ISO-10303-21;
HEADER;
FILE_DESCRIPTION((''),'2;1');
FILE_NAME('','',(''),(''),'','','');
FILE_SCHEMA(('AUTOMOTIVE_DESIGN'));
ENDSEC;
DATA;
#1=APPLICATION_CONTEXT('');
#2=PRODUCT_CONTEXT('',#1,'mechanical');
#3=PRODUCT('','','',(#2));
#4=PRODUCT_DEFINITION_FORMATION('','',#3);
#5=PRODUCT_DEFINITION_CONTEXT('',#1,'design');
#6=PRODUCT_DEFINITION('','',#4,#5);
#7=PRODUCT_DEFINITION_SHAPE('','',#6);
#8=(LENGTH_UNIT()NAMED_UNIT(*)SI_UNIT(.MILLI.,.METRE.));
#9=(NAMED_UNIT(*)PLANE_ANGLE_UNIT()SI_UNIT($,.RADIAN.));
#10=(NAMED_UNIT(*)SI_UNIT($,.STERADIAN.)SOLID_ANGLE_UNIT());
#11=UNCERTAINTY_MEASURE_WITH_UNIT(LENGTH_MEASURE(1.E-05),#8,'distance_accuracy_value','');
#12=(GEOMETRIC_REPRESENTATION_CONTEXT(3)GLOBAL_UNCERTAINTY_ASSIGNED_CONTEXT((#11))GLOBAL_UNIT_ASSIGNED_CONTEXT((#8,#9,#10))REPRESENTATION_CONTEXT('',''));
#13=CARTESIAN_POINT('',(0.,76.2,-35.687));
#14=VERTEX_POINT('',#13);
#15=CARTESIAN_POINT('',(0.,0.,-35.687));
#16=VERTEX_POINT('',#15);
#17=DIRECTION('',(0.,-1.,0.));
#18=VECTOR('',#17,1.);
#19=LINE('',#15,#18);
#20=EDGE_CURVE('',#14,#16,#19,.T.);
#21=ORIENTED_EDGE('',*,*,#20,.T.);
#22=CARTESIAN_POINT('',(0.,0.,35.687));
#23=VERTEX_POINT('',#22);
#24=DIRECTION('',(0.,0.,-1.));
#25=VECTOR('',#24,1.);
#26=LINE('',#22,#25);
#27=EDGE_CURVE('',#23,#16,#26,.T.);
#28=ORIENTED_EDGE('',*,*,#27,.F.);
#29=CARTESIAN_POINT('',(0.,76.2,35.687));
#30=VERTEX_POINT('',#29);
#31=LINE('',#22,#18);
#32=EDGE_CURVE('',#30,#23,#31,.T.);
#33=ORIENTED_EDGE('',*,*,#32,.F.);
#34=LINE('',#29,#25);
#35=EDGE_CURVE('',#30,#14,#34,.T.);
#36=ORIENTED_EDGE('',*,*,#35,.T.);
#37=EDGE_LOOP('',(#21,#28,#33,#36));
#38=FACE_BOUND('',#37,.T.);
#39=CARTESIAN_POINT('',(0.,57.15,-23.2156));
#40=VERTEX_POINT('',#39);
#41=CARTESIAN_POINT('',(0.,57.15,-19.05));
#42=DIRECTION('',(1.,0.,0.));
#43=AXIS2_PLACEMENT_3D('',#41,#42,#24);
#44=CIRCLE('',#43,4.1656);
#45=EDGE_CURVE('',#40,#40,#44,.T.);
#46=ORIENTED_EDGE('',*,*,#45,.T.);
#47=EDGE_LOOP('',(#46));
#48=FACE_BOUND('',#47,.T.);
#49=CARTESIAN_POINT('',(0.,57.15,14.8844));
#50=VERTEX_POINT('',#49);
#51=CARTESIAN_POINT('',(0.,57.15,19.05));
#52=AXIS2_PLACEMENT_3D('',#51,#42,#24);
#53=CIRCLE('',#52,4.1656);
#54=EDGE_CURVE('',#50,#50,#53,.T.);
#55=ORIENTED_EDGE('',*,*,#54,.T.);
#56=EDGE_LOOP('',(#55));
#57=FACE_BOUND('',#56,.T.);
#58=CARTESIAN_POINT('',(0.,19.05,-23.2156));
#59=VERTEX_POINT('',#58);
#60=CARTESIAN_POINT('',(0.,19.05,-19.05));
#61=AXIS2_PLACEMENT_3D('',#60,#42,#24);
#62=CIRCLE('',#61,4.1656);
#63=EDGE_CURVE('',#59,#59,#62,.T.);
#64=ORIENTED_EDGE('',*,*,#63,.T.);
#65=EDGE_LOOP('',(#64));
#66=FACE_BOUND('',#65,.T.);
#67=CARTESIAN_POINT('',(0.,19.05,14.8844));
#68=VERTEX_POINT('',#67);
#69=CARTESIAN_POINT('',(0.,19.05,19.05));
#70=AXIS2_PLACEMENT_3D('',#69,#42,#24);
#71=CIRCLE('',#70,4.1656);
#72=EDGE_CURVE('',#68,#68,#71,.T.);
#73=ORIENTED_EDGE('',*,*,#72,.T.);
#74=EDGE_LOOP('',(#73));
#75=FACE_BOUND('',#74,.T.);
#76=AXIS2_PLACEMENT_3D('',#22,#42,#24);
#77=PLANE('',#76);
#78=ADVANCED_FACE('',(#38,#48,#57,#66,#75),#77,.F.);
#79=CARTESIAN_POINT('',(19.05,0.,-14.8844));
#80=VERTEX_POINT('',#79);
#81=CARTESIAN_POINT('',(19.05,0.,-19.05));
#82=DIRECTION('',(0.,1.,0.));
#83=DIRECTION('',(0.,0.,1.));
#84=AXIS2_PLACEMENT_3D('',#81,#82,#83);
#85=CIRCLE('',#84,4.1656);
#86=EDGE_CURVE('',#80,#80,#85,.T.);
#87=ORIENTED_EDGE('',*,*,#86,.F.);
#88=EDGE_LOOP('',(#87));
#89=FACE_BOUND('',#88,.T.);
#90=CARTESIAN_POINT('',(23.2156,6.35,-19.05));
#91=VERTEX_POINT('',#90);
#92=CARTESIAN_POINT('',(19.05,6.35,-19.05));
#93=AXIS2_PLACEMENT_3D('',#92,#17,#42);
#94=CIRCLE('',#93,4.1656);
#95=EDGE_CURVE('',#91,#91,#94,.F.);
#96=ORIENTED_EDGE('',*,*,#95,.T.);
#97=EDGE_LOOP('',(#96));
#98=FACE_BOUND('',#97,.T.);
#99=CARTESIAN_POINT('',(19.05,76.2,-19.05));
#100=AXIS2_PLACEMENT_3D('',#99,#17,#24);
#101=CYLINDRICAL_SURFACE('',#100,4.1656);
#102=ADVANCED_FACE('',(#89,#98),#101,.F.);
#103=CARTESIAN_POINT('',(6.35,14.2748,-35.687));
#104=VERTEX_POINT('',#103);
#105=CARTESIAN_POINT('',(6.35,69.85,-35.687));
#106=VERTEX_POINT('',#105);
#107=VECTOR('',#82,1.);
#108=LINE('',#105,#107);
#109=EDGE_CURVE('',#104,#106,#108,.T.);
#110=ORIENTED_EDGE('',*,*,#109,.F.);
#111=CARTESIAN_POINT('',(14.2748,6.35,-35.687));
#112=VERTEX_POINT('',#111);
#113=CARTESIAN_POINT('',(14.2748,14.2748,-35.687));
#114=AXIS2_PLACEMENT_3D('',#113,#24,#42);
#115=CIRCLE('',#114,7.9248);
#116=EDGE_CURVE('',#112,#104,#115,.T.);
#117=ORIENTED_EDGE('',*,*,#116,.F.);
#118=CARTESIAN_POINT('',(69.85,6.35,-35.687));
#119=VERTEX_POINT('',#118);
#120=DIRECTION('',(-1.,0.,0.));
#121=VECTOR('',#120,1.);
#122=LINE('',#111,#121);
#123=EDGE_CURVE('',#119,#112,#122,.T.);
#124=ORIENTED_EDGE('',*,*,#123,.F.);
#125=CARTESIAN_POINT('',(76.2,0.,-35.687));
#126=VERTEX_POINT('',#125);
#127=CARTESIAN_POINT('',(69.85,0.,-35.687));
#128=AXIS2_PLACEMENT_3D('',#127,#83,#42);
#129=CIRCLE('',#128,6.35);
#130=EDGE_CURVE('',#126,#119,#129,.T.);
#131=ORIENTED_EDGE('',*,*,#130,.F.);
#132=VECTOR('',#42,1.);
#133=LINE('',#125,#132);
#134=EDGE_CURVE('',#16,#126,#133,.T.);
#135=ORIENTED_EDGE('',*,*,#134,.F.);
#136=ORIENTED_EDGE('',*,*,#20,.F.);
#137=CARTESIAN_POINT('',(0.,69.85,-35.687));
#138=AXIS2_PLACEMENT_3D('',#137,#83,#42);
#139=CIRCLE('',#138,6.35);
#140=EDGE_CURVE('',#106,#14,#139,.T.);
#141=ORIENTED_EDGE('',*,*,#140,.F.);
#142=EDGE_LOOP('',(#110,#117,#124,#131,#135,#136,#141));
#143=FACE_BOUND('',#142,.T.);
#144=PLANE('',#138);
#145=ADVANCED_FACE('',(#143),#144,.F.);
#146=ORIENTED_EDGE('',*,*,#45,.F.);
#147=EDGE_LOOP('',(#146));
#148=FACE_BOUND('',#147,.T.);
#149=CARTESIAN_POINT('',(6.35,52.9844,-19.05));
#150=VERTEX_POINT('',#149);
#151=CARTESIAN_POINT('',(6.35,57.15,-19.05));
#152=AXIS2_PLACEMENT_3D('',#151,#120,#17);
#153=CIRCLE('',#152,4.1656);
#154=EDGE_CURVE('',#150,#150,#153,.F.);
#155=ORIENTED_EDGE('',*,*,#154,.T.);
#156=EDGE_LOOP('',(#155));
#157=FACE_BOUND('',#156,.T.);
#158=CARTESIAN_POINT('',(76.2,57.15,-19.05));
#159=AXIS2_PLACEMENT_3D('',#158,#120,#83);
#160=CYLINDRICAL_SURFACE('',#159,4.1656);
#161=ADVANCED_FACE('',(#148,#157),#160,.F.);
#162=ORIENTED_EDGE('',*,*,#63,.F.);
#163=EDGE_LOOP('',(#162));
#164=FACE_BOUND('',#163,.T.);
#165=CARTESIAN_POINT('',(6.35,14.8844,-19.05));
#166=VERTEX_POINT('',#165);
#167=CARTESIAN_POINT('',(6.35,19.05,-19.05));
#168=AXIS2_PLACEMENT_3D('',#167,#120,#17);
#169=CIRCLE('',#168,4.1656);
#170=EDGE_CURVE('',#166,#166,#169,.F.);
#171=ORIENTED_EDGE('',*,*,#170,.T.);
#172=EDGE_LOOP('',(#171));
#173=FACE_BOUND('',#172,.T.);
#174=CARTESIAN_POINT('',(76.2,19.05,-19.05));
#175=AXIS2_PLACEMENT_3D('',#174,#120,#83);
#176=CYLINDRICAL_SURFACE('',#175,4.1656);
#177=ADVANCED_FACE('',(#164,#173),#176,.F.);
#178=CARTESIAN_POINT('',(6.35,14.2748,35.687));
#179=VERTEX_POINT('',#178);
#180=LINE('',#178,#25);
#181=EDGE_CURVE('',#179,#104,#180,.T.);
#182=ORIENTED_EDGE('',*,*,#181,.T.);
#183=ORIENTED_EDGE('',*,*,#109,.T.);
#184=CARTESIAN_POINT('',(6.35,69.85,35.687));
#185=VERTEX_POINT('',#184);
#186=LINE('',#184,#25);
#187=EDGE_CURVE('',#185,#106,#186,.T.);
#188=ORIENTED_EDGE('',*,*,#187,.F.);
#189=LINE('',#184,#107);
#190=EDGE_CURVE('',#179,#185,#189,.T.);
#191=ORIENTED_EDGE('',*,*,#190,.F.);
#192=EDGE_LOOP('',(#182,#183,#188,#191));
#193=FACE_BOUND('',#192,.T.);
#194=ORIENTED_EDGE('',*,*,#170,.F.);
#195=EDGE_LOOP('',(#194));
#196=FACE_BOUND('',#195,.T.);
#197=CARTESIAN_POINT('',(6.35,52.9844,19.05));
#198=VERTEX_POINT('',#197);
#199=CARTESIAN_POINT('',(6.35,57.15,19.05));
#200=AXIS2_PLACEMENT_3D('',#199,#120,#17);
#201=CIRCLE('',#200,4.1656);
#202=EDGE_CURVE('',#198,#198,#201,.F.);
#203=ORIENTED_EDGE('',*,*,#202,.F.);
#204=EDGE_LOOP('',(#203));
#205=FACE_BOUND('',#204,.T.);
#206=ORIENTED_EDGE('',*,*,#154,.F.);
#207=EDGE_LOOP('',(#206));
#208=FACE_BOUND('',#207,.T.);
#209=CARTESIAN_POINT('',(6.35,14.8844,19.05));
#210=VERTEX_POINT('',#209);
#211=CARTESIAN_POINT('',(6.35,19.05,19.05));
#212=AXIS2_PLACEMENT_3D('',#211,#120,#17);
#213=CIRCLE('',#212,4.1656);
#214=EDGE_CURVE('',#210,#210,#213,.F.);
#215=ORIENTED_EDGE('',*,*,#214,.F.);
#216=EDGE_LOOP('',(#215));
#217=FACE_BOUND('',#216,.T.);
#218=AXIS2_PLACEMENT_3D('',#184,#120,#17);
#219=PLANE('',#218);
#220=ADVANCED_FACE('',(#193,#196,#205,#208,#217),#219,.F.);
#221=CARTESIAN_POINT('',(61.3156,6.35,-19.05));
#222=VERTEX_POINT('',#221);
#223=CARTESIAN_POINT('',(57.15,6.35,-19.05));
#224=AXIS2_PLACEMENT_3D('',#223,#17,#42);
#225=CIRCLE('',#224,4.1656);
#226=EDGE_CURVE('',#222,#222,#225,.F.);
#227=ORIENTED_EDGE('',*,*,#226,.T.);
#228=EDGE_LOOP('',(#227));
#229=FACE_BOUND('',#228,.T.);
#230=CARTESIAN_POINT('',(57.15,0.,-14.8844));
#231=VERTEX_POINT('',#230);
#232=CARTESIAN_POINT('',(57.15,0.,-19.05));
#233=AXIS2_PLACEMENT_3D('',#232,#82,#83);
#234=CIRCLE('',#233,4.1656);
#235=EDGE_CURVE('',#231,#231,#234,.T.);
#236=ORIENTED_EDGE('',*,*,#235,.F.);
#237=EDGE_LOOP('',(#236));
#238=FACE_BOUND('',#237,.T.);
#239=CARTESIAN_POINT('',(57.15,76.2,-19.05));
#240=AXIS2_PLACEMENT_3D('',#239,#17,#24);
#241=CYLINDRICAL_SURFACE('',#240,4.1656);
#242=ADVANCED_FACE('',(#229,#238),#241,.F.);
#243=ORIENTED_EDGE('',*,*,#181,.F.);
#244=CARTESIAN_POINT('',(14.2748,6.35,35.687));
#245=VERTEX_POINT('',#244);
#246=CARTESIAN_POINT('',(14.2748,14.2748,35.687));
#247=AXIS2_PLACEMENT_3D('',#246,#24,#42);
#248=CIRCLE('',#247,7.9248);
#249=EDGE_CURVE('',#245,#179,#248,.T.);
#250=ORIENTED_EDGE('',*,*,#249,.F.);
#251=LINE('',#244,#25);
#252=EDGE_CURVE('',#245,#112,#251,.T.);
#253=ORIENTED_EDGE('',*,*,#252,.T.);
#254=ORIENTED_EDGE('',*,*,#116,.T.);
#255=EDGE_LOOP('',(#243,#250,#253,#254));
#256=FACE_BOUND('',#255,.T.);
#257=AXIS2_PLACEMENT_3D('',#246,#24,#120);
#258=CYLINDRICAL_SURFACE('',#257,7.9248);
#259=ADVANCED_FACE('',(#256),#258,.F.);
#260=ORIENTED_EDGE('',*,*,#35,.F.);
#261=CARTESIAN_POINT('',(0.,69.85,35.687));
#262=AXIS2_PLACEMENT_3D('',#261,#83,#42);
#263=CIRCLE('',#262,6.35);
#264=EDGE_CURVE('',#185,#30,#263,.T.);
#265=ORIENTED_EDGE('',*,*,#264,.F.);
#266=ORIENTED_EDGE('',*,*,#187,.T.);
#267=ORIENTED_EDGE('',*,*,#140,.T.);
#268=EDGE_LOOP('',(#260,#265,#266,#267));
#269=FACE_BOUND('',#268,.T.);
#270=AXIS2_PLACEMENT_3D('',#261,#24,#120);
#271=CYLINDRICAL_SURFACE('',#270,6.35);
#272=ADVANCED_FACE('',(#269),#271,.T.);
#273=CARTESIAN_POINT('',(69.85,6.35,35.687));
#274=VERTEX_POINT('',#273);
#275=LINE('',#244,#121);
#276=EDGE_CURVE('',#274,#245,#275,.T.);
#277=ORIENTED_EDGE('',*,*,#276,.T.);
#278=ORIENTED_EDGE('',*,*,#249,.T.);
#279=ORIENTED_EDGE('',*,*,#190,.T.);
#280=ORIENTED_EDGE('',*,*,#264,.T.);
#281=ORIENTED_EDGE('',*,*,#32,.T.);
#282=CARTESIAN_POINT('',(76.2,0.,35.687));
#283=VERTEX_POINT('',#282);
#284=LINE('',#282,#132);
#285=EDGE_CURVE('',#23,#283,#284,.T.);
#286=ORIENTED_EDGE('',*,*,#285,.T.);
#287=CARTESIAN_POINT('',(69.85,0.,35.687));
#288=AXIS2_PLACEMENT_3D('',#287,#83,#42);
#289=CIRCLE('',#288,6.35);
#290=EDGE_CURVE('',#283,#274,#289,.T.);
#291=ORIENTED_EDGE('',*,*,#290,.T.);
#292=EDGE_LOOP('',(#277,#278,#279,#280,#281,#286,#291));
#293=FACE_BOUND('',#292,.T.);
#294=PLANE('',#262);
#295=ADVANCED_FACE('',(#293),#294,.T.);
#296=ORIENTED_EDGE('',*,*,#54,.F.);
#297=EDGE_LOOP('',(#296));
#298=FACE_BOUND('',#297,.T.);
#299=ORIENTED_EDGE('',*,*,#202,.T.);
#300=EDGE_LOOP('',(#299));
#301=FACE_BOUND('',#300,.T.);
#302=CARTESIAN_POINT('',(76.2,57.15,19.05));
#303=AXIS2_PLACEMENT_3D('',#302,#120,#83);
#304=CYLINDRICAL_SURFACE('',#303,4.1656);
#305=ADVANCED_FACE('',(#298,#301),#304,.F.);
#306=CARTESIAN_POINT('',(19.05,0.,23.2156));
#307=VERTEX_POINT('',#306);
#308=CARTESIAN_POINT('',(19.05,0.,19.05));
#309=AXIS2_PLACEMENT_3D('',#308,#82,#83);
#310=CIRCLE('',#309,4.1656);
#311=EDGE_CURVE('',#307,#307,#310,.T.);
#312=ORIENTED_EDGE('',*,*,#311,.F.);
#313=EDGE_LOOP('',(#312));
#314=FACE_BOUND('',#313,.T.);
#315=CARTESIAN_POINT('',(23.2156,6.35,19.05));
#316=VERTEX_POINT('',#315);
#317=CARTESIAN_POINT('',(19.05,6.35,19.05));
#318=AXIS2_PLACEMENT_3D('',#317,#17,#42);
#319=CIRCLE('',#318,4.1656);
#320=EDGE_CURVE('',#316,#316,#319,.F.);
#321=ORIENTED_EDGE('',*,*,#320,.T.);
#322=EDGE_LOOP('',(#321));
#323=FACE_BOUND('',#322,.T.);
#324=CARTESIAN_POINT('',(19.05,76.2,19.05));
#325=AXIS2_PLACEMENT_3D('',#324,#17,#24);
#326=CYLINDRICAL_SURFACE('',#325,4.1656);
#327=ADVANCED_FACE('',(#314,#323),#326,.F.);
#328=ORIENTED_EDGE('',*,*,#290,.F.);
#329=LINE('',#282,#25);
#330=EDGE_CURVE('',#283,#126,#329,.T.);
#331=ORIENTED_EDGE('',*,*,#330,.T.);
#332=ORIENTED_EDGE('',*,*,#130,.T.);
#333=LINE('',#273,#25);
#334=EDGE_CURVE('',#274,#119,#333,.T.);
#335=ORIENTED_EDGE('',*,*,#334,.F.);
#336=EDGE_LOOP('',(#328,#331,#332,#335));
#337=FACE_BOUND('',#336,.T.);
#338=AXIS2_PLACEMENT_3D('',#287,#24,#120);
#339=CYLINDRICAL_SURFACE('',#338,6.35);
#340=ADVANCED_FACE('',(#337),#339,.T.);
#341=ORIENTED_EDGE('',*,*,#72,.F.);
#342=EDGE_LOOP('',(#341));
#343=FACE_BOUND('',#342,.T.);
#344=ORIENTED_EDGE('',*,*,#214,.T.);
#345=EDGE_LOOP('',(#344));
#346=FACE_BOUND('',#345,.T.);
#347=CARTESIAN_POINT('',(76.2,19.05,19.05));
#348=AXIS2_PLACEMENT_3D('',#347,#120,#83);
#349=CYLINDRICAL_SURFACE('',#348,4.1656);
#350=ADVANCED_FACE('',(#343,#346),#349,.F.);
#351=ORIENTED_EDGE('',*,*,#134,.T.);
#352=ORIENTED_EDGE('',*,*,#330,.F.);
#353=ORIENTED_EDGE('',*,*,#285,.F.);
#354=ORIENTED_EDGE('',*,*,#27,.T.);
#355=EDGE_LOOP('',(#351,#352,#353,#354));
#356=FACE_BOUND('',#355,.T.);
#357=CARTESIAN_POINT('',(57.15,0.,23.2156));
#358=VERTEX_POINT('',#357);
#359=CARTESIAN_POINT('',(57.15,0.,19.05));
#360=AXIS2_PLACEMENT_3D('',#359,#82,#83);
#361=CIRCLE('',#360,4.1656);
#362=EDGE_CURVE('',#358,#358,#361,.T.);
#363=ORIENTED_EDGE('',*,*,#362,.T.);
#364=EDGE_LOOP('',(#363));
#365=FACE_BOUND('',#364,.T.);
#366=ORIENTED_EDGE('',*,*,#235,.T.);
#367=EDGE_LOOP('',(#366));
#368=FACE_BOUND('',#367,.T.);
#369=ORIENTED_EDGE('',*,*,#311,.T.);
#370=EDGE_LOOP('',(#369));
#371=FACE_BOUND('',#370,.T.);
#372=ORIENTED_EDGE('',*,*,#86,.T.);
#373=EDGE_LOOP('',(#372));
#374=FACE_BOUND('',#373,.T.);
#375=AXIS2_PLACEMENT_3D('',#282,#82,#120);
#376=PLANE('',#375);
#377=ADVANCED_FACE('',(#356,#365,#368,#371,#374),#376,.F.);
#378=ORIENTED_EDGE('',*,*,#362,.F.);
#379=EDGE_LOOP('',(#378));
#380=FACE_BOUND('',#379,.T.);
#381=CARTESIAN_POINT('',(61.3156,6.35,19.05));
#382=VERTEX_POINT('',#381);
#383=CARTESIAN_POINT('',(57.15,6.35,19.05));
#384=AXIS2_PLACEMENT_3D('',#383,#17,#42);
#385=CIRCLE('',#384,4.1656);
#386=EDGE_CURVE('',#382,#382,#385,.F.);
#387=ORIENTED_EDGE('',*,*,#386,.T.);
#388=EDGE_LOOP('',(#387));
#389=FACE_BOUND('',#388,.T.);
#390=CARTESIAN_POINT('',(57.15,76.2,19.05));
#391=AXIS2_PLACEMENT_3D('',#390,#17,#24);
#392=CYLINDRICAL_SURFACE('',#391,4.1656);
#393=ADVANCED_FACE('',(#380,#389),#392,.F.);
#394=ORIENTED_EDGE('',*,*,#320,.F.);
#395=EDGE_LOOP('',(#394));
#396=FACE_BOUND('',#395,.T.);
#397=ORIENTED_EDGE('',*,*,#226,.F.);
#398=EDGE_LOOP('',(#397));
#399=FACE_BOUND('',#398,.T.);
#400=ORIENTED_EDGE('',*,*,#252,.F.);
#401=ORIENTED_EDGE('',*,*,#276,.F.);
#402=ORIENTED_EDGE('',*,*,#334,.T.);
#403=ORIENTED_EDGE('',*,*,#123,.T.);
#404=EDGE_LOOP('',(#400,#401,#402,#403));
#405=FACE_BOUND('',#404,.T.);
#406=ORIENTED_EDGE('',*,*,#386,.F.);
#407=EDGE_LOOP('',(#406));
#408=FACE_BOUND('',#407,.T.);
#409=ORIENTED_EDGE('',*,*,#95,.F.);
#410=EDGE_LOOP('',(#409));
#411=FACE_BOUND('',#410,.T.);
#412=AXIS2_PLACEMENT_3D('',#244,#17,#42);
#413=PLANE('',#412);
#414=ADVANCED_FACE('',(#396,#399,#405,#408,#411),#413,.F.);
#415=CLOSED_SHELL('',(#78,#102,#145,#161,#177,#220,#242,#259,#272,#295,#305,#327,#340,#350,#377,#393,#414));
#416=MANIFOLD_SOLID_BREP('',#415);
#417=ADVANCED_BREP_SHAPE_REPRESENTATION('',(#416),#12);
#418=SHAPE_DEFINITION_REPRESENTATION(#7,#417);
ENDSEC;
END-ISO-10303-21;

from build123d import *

# Parameters (mm, degrees)
BOSS_EXTRUDE1_DEPTH = 35.687
SKETCH2_R           = 4.1656
CUT_EXTRUDE1_DEPTH  = 77.2
SKETCH3_R           = 4.1656
CUT_EXTRUDE2_DEPTH  = 77.2


with BuildPart() as part:
    # Sketch1 → Boss-Extrude1 (new body, symmetric)
    with BuildSketch(Plane.XY):
        with BuildLine():
            Line((0, 0), (0, 76.2))
            ThreePointArc((0, 76.2), (4.490128061, 74.340128061), (6.35, 69.85))
            Line((6.35, 69.85), (6.35, 14.2748))
            ThreePointArc((6.35, 14.2748), (8.67112018, 8.67112018), (14.2748, 6.35))
            Line((14.2748, 6.35), (69.85, 6.35))
            ThreePointArc((69.85, 6.35), (74.340128061, 4.490128061), (76.2, 0))
            Line((76.2, 0), (0, 0))
        make_face()
    extrude(amount=BOSS_EXTRUDE1_DEPTH, both=True)

    # Sketch2 → Cut-Extrude1 (cut, through all)
    with BuildSketch(Plane(origin=(0, 0, 0), x_dir=(1, 0, 0), z_dir=(0, 1, 0))):
        with Locations((19.05, -19.05)):
            Circle(SKETCH2_R)
        with Locations((57.15, -19.05)):
            Circle(SKETCH2_R)
        with Locations((19.05, 19.05)):
            Circle(SKETCH2_R)
        with Locations((57.15, 19.05)):
            Circle(SKETCH2_R)
    extrude(amount=CUT_EXTRUDE1_DEPTH, mode=Mode.SUBTRACT)

    # Sketch3 → Cut-Extrude2 (cut, through all)
    with BuildSketch(Plane(origin=(0, 0, 0), x_dir=(0, 0, -1), z_dir=(1, 0, 0))):
        with Locations((-19.05, 19.05)):
            Circle(SKETCH3_R)
        with Locations((-19.05, 57.15)):
            Circle(SKETCH3_R)
        with Locations((19.05, 19.05)):
            Circle(SKETCH3_R)
        with Locations((19.05, 57.15)):
            Circle(SKETCH3_R)
    extrude(amount=CUT_EXTRUDE2_DEPTH, mode=Mode.SUBTRACT)


solid = part.part
